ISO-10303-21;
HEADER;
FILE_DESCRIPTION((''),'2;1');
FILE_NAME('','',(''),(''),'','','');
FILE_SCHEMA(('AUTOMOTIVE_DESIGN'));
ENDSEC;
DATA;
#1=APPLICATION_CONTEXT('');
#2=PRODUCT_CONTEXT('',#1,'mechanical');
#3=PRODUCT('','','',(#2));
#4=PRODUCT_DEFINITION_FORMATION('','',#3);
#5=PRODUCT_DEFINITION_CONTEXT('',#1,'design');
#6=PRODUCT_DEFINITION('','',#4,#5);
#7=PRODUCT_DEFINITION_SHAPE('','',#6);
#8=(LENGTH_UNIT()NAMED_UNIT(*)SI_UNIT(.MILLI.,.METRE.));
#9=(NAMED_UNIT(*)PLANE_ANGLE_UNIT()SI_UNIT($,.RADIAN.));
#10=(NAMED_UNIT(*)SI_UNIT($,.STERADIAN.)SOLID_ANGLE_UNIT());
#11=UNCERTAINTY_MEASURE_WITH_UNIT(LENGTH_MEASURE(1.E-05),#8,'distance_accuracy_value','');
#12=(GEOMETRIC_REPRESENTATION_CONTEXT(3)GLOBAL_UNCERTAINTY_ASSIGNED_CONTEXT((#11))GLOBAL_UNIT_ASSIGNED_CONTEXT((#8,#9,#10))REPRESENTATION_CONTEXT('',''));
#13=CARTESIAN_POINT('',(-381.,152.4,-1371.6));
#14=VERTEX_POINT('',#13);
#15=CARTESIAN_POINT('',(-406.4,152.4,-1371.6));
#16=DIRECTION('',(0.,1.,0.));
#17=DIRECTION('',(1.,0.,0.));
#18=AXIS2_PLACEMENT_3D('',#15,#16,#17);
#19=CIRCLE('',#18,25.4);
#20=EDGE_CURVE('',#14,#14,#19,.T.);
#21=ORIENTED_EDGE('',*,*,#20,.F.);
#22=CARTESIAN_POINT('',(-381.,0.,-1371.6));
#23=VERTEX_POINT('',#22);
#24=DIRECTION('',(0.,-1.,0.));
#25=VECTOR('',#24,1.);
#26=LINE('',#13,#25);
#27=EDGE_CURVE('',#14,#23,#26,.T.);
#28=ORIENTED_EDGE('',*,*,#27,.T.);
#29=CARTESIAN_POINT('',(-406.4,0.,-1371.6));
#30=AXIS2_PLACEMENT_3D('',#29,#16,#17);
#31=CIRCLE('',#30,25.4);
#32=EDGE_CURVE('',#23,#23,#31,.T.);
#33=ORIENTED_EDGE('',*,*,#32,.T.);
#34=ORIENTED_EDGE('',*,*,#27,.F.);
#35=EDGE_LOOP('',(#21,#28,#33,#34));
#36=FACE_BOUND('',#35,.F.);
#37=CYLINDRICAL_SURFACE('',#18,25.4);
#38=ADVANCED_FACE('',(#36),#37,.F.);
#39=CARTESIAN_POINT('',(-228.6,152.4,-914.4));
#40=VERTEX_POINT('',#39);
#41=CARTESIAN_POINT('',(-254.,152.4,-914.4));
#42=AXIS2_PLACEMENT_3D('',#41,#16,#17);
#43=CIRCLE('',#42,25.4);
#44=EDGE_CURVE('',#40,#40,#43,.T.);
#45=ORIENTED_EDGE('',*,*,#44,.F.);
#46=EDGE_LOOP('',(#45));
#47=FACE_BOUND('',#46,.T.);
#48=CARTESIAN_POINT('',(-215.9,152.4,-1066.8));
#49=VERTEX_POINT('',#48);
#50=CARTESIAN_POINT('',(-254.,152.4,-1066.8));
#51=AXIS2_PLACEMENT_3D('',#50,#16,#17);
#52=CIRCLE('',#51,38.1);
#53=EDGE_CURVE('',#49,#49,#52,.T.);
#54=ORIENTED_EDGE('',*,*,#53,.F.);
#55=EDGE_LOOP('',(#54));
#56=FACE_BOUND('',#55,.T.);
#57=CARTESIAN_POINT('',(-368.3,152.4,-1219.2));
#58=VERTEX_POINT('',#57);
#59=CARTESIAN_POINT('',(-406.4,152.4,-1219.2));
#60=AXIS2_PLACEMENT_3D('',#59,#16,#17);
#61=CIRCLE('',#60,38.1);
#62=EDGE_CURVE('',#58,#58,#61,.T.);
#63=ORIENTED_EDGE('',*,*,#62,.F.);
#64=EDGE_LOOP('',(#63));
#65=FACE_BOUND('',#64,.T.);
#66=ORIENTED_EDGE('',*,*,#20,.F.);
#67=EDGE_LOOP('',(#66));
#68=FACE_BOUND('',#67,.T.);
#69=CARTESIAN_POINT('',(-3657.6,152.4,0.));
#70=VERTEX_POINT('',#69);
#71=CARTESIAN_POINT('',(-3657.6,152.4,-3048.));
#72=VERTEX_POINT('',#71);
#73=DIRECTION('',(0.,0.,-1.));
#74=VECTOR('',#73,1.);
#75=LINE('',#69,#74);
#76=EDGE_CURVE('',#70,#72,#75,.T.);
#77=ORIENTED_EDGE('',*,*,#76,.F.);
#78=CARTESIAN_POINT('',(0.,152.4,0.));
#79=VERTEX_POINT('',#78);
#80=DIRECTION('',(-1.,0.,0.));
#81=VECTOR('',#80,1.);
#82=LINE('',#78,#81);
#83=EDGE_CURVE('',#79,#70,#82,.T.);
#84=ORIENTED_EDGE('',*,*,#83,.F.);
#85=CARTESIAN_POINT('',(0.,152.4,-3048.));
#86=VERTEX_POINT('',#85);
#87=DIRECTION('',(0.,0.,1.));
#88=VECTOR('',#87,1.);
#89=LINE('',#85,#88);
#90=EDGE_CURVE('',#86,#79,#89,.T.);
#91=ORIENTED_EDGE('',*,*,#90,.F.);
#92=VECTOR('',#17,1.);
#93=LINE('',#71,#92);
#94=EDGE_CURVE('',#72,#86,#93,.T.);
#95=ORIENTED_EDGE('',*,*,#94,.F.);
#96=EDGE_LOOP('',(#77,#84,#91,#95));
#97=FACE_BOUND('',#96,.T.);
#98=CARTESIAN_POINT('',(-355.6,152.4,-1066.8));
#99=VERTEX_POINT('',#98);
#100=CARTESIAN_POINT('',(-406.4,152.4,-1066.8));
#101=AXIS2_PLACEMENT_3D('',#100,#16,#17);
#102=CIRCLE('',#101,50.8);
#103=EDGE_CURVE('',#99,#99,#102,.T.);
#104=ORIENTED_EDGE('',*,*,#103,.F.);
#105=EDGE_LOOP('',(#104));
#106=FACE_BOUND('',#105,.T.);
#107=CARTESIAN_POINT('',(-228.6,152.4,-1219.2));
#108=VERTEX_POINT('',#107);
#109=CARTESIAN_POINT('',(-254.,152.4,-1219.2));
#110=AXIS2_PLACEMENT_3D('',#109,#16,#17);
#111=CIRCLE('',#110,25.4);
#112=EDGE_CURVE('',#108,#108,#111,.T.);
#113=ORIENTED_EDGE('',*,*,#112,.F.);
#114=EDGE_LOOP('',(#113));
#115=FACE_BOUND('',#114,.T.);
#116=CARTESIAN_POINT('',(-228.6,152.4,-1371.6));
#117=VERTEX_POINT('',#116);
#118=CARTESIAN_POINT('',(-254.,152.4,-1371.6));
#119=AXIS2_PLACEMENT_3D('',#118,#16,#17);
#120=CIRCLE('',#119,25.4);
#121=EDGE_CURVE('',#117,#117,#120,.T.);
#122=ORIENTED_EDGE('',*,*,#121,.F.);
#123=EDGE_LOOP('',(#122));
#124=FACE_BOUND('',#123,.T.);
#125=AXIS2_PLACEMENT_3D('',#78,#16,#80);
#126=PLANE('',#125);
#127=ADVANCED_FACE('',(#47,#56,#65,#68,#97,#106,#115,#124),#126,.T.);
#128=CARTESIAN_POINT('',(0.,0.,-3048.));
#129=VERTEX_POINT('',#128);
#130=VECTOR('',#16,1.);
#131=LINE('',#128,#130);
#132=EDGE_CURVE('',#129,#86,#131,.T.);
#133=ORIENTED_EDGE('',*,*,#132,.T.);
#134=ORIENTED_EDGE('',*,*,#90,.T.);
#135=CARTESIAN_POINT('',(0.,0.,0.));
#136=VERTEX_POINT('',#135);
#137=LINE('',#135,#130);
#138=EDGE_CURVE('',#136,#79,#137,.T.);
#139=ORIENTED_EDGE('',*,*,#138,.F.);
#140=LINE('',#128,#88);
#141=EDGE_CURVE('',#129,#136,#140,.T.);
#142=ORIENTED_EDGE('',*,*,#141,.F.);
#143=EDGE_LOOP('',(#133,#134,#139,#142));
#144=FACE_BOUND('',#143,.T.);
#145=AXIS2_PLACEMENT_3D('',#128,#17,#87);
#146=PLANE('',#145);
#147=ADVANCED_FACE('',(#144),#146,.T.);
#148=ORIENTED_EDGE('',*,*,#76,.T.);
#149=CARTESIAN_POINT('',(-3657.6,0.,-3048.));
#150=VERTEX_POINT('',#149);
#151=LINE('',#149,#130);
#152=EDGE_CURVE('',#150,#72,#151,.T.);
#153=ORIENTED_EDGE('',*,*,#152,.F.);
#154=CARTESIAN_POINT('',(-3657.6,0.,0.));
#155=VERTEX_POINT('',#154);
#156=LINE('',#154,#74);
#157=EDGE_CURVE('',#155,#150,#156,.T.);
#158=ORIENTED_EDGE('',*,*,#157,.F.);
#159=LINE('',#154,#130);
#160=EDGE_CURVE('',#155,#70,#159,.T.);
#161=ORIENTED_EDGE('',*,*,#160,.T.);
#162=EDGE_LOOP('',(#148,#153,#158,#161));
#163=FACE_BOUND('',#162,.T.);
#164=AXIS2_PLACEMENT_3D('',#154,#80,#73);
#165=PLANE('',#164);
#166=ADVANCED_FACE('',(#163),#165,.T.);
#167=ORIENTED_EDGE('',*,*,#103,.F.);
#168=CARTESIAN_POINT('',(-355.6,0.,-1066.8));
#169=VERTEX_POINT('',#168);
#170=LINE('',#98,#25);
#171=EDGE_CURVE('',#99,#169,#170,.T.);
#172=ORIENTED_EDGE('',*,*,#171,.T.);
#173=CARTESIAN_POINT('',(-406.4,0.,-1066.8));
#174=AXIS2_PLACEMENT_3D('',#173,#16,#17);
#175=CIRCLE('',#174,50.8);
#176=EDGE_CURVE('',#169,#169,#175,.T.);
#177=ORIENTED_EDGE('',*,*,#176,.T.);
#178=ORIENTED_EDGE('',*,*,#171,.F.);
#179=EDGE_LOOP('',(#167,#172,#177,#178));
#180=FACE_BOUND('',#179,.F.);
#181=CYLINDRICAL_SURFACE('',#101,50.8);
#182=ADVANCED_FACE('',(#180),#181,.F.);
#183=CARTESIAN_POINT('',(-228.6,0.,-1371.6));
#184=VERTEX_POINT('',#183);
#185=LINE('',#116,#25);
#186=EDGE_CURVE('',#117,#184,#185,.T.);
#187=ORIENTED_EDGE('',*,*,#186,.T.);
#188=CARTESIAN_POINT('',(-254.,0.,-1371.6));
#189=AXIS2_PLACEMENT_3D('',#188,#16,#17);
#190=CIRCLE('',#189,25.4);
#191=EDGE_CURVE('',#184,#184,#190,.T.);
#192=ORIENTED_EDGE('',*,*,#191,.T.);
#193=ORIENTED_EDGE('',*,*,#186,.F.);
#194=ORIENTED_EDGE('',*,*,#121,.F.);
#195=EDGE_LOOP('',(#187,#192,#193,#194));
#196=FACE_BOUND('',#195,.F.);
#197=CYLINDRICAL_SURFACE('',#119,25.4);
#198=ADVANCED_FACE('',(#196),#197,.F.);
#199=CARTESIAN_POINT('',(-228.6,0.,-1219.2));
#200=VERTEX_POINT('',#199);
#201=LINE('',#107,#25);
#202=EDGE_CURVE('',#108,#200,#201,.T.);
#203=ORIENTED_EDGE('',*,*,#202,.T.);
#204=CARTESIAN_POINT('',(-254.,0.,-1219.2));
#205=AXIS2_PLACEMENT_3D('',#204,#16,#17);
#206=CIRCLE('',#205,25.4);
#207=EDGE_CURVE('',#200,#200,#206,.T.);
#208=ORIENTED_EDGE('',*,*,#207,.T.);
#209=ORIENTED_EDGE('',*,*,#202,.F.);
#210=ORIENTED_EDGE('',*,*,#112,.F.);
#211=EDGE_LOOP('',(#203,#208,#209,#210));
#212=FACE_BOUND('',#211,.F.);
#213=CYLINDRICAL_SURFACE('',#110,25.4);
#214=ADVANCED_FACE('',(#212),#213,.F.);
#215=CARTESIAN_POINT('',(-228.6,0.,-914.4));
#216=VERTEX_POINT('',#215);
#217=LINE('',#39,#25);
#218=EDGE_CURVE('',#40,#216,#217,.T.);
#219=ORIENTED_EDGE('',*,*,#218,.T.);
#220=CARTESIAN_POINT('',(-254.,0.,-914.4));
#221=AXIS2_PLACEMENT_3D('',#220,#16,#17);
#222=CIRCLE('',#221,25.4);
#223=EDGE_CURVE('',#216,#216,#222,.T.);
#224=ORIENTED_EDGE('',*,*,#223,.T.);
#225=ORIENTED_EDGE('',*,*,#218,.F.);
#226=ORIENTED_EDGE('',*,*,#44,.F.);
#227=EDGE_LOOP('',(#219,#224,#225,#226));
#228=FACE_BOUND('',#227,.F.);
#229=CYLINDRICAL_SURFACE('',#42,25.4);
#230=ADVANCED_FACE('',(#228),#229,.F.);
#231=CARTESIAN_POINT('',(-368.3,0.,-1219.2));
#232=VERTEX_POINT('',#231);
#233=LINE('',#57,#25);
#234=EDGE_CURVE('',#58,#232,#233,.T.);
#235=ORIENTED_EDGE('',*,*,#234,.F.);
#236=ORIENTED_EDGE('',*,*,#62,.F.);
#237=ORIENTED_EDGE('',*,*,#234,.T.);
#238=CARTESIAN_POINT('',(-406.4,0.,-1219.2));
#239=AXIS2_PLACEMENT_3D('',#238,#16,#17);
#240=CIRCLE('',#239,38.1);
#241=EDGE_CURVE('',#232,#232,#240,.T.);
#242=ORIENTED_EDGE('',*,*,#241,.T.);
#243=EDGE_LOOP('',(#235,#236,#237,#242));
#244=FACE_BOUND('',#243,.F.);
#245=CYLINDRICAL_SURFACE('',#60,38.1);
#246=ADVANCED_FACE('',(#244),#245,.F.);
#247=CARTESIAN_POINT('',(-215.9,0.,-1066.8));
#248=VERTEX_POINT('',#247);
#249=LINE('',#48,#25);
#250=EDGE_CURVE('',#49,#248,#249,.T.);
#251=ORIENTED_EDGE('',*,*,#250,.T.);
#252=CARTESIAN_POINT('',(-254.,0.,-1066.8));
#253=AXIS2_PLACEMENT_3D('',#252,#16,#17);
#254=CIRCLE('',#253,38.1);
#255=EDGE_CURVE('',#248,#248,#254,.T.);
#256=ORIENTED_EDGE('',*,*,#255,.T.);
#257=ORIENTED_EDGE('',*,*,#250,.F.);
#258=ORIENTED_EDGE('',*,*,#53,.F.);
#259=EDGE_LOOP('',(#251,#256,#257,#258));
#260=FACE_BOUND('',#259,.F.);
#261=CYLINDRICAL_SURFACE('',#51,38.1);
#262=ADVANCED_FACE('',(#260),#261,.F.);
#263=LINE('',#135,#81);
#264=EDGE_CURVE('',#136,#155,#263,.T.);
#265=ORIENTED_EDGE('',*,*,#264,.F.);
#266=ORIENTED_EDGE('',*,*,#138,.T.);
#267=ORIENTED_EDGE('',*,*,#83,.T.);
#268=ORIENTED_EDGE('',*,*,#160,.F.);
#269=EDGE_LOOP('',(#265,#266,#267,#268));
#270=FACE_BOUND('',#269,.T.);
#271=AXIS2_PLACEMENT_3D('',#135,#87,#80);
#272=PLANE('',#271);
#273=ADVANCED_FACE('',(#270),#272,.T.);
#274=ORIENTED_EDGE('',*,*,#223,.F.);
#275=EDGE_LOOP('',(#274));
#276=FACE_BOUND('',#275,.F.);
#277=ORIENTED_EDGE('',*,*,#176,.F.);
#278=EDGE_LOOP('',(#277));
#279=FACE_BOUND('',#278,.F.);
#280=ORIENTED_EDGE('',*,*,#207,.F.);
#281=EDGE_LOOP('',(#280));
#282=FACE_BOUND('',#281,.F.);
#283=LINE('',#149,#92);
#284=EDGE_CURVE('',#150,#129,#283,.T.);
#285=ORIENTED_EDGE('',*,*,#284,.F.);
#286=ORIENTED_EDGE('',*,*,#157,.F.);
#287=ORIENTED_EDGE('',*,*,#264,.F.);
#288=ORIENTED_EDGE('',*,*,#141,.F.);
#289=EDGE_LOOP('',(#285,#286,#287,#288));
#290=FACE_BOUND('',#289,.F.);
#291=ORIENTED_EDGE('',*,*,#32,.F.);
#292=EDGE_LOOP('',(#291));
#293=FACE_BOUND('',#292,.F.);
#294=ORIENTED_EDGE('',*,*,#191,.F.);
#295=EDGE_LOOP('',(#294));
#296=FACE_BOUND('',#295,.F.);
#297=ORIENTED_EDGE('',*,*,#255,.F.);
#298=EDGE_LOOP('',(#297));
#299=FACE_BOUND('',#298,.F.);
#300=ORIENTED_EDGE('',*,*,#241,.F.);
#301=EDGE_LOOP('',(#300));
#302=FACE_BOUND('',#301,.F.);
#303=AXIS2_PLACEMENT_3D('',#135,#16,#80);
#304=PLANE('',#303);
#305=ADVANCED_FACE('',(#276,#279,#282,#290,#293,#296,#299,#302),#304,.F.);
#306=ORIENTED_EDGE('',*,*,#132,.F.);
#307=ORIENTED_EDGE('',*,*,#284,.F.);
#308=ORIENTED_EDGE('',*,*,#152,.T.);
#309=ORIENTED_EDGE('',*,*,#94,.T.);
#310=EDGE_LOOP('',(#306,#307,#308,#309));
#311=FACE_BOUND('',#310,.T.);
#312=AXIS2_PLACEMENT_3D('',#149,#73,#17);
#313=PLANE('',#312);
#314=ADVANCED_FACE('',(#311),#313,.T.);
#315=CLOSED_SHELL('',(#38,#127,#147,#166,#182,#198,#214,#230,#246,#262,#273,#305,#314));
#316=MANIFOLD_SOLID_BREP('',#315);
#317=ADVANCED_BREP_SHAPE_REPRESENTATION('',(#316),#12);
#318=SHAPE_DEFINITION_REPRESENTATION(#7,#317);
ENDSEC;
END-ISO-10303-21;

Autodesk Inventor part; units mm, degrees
ref_plane "YZ Plane" through (0, 0, 0) normal (1, 0, 0) x (0, 1, 0)
ref_plane "XZ Plane" through (0, 0, 0) normal (0, 1, 0) x (-1, 0, 0)
ref_plane "XY Plane" through (0, 0, 0) normal (0, 0, 1) x (1, 0, 0)
sketch "Sketch1" plane through (0, 0, 0) normal (0, 1, 0) x (-1, 0, 0)
  line L0 (0, 0) -> (3657.6, 0)
  line L1 (3657.6, 0) -> (3657.6, -3048)
  line L2 (3657.6, -3048) -> (0, -3048)
  line L3 (0, -3048) -> (0, 0)
  dimension "d0" = 3657.6
  dimension "d1" = 3048
extrude "Extrusion1" add sketch "Sketch1" along normal blind 152.4
sketch "Sketch2" plane through (0, 152.4, 0) normal (0, 1, 0) x (1, 0, 0)
  circle A0 centre (-254, 1371.6) radius 25.4
  circle A1 centre (-254, 1219.2) radius 25.4
  circle A2 centre (-254, 1066.8) radius 38.1
  circle A3 centre (-406.4, 1066.8) radius 50.8
  circle A4 centre (-406.4, 1219.2) radius 38.1
  circle A5 centre (-406.4, 1371.6) radius 25.4
  line L0 (0, 0) -> (0, 3048) projected
  line L1 (0, 3048) -> (-3657.6, 3048) projected
  circle A6 centre (-254, 914.4) radius 25.4
  dimension "d5" = 76.2
  dimension "d6" = 50.8
  dimension "d7" = 50.8
  dimension "d8" = 101.6
  dimension "d9" = 76.2
  dimension "d10" = 50.8
  dimension "d11" = 152.4
  dimension "d12" = 152.4
  dimension "d13" = 254
  dimension "d14" = 152.4
  dimension "d15" = 1676.4
  dimension "d20" = 50.8
  dimension "d21" = 152.4
extrude "Extrusion2" cut sketch "Sketch2" against normal through all
properties part number "Concrete Pad"
